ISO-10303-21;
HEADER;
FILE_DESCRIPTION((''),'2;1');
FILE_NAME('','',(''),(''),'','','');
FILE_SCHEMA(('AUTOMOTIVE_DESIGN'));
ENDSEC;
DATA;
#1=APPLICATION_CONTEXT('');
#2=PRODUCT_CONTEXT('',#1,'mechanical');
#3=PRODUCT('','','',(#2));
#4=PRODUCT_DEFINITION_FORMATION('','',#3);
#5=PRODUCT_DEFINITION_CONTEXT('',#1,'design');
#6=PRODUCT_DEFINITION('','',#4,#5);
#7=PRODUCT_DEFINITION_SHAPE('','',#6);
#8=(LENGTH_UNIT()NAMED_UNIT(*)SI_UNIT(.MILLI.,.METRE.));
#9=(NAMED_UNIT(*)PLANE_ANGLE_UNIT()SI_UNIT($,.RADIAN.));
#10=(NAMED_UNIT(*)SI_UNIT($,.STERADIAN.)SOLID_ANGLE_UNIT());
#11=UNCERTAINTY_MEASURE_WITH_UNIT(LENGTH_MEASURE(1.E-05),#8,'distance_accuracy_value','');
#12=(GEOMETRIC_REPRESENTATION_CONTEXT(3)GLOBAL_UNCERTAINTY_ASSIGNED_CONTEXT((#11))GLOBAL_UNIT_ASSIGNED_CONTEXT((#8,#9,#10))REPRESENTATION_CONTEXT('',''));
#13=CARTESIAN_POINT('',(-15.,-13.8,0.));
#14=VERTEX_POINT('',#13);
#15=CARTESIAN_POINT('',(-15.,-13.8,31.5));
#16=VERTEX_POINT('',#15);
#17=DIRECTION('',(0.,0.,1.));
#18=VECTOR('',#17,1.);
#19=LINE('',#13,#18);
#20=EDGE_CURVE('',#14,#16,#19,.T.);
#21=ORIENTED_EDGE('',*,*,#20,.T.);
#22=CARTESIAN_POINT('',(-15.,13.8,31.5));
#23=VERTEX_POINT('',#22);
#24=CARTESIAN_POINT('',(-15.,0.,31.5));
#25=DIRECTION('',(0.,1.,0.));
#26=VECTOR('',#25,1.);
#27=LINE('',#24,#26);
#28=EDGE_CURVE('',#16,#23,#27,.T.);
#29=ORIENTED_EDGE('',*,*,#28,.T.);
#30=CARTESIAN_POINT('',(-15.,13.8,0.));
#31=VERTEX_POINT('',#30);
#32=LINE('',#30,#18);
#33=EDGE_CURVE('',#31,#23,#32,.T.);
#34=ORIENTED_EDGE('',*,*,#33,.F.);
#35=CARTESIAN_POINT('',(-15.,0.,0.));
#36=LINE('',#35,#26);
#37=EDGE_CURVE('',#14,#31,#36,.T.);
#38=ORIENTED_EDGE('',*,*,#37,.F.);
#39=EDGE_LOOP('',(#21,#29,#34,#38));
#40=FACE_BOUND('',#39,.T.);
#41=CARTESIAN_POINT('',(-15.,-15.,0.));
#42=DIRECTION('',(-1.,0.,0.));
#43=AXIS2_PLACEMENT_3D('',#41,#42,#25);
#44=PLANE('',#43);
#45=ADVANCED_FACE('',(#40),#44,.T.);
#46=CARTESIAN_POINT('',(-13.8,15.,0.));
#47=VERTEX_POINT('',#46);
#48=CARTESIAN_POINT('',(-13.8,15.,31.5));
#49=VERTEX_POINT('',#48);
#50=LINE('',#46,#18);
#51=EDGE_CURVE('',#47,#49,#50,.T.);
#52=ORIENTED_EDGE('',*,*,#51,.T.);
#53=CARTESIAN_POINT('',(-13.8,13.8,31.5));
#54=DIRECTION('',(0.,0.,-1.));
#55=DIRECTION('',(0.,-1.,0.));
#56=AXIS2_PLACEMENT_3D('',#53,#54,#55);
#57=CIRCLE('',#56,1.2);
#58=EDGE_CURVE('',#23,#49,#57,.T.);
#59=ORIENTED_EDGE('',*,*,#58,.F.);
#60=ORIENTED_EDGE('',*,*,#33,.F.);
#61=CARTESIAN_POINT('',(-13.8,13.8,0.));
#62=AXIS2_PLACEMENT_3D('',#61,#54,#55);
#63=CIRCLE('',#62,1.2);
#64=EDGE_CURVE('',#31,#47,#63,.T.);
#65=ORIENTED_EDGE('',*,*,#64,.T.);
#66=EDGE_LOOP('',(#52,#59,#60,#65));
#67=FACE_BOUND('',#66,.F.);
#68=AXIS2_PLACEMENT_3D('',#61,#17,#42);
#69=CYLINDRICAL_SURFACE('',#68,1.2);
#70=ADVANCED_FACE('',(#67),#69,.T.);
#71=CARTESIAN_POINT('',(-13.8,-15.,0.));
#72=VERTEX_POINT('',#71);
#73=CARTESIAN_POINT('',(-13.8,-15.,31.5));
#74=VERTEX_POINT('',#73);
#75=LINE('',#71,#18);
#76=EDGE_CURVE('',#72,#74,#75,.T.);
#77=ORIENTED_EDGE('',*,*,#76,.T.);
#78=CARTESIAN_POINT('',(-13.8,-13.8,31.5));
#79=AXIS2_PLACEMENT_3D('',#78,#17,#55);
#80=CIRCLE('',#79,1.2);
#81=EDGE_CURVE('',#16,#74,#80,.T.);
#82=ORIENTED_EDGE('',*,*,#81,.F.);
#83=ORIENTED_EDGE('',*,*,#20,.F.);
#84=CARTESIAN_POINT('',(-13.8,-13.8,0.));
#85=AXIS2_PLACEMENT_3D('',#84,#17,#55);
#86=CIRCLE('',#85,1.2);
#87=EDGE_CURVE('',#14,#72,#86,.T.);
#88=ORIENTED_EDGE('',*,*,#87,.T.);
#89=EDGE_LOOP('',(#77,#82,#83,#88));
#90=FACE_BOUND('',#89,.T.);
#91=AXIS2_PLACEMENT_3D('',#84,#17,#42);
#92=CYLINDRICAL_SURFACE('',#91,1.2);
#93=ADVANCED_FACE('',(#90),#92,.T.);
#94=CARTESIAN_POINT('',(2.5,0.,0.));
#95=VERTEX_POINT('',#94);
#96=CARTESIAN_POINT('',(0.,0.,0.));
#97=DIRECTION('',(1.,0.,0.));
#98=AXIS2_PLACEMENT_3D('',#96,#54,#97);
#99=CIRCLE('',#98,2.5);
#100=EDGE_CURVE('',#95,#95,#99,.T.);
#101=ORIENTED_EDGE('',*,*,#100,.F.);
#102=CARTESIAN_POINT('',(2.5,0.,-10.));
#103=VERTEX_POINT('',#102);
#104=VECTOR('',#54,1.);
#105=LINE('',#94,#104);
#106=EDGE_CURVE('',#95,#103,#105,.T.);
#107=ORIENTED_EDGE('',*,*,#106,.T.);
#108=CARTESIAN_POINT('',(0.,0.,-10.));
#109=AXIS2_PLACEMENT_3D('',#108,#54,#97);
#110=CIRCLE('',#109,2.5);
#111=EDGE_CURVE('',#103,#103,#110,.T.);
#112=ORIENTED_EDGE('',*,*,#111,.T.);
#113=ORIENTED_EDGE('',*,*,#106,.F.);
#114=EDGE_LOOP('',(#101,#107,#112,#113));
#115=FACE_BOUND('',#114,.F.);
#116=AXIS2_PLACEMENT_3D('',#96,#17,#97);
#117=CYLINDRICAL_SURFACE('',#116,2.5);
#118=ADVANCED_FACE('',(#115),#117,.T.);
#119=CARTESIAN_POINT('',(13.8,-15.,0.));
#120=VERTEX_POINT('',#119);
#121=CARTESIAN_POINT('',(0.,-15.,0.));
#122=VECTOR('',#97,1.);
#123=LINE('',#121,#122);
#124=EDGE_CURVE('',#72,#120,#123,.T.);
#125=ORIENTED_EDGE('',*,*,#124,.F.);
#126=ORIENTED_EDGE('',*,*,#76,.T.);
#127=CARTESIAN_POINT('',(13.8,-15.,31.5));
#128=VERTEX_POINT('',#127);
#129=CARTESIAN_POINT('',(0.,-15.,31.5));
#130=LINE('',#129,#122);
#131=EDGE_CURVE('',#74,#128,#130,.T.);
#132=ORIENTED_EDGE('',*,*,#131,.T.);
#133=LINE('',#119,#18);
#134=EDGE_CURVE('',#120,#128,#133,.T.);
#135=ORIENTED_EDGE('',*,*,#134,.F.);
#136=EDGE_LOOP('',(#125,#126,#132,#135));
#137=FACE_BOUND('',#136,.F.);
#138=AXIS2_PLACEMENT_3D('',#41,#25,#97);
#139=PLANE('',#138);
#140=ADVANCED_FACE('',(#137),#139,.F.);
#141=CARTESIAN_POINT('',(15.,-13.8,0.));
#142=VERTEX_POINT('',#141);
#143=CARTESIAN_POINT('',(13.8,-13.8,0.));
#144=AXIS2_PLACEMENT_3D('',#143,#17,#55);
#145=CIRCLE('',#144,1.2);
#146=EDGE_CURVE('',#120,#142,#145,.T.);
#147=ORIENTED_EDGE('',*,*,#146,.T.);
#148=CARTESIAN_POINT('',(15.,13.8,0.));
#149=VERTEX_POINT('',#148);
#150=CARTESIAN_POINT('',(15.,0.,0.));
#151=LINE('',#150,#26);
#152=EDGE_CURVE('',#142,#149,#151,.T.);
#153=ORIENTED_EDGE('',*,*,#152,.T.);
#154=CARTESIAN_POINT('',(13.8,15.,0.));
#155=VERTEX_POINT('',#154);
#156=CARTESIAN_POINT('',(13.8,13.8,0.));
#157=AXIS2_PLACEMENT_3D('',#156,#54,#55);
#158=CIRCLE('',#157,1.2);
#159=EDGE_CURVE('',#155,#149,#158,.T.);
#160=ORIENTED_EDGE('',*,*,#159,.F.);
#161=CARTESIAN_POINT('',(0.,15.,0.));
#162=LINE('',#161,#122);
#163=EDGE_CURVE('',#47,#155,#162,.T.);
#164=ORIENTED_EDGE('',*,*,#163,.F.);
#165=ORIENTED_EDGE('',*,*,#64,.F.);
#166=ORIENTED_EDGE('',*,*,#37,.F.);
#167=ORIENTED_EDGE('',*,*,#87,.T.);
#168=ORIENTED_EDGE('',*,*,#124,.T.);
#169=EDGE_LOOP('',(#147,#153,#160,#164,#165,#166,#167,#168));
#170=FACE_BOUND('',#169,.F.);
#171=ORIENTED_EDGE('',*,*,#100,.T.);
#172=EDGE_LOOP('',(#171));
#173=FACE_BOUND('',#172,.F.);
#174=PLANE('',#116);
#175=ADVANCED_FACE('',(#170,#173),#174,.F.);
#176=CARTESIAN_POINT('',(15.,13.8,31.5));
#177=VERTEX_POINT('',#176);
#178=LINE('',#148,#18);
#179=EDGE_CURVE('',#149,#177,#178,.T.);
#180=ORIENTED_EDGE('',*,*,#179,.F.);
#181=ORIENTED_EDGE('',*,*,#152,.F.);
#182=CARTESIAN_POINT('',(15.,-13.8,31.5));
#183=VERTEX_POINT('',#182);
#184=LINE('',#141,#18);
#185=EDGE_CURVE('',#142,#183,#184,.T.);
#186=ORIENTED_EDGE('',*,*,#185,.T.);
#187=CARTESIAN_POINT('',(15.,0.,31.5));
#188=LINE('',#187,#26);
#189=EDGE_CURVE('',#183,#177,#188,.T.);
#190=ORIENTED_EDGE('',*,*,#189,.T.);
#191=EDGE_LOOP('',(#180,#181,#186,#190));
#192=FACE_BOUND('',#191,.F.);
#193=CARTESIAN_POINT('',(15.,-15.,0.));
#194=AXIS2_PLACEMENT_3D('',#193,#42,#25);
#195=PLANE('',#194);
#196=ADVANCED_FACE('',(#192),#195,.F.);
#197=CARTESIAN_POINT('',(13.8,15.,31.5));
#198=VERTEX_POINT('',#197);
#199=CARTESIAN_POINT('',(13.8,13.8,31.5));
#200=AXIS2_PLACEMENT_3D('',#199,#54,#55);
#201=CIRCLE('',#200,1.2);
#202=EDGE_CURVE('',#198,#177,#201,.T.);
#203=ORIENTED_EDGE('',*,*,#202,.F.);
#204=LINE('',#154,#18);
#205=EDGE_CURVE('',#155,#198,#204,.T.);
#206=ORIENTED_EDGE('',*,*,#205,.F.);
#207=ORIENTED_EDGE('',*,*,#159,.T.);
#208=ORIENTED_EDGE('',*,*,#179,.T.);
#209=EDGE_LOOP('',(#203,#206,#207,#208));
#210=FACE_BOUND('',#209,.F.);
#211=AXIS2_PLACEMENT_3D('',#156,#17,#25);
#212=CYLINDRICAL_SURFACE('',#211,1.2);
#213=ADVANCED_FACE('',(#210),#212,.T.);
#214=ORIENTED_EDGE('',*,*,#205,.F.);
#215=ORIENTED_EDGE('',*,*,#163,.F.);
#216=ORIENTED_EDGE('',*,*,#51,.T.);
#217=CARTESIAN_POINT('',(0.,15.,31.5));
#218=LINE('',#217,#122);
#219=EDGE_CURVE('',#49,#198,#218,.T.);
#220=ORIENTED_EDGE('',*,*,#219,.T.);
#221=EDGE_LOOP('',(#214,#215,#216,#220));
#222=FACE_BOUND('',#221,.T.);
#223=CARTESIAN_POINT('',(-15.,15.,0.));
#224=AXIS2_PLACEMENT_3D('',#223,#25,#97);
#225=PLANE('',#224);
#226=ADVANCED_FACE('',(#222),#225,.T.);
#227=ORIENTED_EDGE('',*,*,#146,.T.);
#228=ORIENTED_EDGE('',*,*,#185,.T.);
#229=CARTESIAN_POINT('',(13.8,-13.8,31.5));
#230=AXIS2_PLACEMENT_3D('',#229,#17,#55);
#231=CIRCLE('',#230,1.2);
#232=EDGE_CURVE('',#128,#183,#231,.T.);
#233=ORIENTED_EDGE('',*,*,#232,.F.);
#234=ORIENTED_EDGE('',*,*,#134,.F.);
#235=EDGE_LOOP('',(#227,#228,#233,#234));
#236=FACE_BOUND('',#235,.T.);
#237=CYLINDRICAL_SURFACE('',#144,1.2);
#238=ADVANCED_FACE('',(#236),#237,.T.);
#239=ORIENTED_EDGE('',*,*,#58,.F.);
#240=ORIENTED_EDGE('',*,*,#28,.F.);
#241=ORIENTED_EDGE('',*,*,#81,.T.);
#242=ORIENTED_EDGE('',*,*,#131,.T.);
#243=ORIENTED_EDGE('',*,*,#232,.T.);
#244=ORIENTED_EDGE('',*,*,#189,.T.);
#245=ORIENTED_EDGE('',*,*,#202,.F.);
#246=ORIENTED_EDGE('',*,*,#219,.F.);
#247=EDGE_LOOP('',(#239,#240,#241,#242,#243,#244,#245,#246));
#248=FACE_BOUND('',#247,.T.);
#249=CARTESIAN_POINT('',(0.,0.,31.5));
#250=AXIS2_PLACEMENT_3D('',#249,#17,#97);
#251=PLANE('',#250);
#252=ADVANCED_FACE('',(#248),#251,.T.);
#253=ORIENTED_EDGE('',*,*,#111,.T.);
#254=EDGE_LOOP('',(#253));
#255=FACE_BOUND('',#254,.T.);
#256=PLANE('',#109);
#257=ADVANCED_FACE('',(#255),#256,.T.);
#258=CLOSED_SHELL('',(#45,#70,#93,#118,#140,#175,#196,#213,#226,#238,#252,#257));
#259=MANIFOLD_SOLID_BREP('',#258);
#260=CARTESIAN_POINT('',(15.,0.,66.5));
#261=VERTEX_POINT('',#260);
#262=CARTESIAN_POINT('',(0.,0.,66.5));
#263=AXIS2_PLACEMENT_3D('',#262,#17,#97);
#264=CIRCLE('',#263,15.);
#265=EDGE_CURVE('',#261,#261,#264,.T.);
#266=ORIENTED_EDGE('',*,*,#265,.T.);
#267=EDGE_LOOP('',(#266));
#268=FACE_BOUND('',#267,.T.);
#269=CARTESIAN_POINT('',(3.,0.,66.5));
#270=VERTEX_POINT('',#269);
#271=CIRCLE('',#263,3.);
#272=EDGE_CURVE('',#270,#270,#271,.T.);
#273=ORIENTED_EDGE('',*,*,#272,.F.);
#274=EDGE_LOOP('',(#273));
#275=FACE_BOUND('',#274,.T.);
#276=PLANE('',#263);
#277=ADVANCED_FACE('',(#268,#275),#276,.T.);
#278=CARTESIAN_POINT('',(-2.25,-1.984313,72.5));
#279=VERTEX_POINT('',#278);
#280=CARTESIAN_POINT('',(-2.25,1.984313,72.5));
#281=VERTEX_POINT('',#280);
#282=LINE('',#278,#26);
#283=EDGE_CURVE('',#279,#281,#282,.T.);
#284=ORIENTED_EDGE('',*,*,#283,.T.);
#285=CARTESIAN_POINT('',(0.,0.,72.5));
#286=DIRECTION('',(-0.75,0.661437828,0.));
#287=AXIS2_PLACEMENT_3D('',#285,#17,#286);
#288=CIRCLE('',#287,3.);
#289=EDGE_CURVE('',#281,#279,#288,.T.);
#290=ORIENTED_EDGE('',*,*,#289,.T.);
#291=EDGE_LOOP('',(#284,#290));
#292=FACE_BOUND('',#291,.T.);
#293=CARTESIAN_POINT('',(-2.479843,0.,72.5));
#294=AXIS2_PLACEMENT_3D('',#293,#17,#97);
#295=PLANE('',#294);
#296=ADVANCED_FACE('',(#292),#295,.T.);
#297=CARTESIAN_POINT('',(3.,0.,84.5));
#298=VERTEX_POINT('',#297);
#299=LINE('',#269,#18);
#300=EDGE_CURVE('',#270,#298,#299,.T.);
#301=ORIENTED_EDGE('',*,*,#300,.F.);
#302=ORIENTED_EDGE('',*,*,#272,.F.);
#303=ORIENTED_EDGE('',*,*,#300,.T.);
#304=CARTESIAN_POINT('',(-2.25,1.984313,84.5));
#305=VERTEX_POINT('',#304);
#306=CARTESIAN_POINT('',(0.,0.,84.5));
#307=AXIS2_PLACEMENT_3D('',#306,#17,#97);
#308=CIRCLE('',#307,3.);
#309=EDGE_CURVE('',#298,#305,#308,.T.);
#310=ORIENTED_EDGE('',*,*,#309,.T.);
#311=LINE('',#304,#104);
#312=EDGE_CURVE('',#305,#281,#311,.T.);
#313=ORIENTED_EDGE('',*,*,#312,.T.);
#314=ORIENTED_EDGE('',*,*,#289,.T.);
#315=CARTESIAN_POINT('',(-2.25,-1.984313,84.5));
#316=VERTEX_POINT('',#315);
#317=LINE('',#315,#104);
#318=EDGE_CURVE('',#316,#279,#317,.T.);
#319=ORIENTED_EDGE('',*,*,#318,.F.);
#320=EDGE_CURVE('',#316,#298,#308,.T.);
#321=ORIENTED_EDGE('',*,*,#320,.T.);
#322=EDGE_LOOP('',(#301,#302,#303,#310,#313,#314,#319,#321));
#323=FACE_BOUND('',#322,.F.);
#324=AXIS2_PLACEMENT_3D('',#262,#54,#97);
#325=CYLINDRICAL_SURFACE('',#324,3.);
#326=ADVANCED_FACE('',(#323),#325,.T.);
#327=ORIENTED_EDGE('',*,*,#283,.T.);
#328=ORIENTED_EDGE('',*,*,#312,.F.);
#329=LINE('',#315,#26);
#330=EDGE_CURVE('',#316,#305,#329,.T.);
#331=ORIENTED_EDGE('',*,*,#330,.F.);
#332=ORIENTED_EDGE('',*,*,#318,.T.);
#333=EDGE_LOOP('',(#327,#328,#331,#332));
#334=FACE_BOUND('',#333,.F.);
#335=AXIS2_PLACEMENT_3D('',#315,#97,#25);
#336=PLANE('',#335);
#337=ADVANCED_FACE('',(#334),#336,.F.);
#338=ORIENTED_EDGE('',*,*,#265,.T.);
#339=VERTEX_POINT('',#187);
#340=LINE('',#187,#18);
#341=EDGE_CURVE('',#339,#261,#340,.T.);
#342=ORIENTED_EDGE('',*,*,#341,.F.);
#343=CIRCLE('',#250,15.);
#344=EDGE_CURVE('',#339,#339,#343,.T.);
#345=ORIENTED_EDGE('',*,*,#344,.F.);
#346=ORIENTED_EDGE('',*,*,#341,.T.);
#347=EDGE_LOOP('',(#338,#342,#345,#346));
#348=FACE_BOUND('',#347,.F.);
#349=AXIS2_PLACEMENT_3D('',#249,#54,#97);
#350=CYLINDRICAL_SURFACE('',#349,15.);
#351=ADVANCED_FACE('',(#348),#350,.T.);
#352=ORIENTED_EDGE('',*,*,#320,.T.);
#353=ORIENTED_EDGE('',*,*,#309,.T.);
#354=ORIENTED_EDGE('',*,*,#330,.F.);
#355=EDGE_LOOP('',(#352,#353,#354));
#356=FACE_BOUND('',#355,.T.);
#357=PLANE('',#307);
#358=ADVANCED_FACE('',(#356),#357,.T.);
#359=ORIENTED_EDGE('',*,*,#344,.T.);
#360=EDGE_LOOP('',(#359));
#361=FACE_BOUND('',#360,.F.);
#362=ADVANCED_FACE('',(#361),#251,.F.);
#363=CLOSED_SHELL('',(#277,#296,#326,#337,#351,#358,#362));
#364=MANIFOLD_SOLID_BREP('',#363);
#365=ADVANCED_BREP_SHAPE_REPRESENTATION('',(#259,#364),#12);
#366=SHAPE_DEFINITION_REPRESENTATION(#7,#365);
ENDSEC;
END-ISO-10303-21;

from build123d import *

# Parameters (mm, degrees)
F5_W      = 30
F5_H      = 30
F6_DEPTH  = 31.5
F7_R      = 15
F8_DEPTH  = 35
F9_R      = 3
F10_DEPTH = 18
F12_DEPTH = 12
F13_R     = 2.5
F14_DEPTH = 10
F15_R     = 1.2


with BuildPart() as f6:
    # F5 (on Top) → F6 (new body)
    with BuildSketch(Plane.XY):
        Rectangle(F5_W, F5_H)
    extrude(amount=F6_DEPTH)

    # F13 (on face) → F14 (join)
    with BuildSketch(Plane(origin=(0, 0, 0), x_dir=(1, 0, 0), z_dir=(0, 0, -1))):
        Circle(F13_R)
    extrude(amount=F14_DEPTH)

    # F15
    f15_edges = [f6.edges().sort_by_distance(p)[0] for p in [
        (-15, -15, 15.75),
        (15, -15, 15.75),
        (15, 15, 15.75),
        (-15, 15, 15.75),
    ]]
    fillet(f15_edges, radius=F15_R)


with BuildPart() as f8:
    # F7 (on face) → F8 (new body)
    with BuildSketch(Plane.XY.offset(31.5)):
        Circle(F7_R)
    extrude(amount=F8_DEPTH)

    # F9 (on face) → F10 (join)
    with BuildSketch(Plane.XY.offset(66.5)):
        Circle(F9_R)
    extrude(amount=F10_DEPTH)

    # F11 (on face) → F12 (cut)
    with BuildSketch(Plane.XY.offset(84.5)):
        with BuildLine():
            Line((-2.25, -1.9843134833), (-2.25, 1.9843134833))
            ThreePointArc((-2.25, 1.9843134833), (-3, 0), (-2.25, -1.9843134833))
        make_face()
    extrude(amount=-F12_DEPTH, mode=Mode.SUBTRACT)


solid = Compound([f6.part, f8.part])
